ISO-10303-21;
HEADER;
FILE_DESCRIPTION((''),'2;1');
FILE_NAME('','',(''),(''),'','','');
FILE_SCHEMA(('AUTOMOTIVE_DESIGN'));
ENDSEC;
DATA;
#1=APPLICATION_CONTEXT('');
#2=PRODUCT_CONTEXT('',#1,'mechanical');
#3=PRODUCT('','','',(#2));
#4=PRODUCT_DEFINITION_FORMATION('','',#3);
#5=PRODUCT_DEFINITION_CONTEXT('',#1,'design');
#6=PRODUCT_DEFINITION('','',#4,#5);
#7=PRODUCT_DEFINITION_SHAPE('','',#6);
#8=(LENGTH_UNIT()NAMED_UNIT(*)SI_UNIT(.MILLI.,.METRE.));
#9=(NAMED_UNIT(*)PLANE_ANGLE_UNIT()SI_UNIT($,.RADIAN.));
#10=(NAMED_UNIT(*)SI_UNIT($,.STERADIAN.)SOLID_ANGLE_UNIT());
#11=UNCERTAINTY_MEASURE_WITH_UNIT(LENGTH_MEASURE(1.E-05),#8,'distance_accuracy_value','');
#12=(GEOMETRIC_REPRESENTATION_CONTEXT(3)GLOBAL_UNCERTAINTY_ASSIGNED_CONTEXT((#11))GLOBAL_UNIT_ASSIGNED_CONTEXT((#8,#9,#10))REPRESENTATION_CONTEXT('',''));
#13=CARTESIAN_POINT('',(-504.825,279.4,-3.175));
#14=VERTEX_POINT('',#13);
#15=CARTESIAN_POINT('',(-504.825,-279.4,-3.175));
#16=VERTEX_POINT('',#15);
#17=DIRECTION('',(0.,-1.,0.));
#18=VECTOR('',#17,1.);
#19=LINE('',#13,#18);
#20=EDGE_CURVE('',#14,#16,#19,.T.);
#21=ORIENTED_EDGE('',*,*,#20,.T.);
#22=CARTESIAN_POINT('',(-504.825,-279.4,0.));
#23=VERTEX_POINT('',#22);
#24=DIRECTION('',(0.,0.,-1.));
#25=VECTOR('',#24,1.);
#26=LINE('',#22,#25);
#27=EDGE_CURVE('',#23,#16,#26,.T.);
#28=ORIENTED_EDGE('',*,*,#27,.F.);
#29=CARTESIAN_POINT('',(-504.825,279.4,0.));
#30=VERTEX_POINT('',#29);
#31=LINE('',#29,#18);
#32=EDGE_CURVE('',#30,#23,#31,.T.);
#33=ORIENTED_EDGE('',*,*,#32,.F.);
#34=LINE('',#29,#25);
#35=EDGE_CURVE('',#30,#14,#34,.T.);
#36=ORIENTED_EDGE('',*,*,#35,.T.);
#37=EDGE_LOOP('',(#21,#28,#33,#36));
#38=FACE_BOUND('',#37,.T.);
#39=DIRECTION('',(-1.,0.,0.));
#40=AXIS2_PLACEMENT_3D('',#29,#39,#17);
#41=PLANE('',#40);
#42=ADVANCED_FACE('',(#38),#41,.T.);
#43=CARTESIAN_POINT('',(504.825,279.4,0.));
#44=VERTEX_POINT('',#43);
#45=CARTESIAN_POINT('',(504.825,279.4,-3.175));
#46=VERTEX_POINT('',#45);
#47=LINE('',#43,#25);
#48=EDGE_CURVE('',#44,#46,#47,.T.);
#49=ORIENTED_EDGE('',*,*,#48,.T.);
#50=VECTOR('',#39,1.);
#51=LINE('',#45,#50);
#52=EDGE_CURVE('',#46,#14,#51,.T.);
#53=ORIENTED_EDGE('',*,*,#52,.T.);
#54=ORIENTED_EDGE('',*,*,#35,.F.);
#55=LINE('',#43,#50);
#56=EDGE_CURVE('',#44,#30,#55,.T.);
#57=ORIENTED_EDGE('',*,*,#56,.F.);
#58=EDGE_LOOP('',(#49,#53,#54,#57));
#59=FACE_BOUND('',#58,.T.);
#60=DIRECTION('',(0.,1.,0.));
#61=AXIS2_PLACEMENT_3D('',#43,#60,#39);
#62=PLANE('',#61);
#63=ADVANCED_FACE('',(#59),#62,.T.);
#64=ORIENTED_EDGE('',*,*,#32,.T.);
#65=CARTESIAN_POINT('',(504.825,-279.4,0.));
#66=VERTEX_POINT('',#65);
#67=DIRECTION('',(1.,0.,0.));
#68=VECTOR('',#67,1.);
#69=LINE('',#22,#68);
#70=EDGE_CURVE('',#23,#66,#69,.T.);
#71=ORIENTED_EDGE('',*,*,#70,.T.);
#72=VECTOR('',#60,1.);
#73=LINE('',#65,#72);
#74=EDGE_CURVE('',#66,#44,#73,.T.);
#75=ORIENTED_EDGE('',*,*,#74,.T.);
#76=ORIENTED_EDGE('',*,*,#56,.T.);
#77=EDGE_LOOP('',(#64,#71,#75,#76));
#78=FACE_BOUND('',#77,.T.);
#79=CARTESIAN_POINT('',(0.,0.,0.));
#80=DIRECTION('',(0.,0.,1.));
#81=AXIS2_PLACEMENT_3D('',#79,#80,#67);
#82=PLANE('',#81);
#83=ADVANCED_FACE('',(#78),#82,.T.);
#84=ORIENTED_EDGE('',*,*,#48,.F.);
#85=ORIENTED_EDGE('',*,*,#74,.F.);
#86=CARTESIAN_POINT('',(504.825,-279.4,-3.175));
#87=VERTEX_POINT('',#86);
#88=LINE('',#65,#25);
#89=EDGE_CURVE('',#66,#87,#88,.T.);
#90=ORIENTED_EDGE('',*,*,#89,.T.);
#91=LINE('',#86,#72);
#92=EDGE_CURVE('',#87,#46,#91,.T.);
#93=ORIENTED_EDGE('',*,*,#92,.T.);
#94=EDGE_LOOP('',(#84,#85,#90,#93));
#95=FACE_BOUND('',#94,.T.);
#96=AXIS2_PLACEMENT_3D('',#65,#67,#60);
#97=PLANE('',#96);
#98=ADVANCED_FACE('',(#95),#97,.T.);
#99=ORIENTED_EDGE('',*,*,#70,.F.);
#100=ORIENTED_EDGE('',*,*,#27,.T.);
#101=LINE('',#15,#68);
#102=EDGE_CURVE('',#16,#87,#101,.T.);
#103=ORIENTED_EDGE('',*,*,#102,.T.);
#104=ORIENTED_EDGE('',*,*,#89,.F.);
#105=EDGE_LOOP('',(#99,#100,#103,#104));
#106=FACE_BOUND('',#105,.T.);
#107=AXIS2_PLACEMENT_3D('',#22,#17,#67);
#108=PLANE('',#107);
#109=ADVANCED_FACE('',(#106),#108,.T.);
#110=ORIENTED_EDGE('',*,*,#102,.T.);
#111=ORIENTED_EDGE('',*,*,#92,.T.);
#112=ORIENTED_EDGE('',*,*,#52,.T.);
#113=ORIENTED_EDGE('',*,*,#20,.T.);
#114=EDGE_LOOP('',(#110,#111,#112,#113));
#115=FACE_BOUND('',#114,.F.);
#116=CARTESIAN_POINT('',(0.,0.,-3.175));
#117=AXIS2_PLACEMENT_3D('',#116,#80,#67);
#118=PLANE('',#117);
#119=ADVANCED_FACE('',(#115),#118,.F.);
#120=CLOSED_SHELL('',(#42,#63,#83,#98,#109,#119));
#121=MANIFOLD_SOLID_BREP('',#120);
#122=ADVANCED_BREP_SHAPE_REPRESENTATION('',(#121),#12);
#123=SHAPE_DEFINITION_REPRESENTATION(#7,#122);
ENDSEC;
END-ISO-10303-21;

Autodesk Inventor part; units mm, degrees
ref_plane "YZ Plane" through (0, 0, 0) normal (1, 0, 0) x (0, 1, 0)
ref_plane "XZ Plane" through (0, 0, 0) normal (0, 1, 0) x (-1, 0, 0)
ref_plane "XY Plane" through (0, 0, 0) normal (0, 0, 1) x (1, 0, 0)
sketch "Sketch1" plane through (0, 0, 0) normal (0, 0, 1) x (1, 0, 0)
  line L0 (-504.825, -279.4) -> (504.825, -279.4)
  line L1 (504.825, -279.4) -> (504.825, 279.4)
  line L2 (504.825, 279.4) -> (-504.825, 279.4)
  line L3 (-504.825, 279.4) -> (-504.825, -279.4)
  line L4 (-504.825, -279.4) -> (504.825, 279.4) construction
  line L5 (504.825, -279.4) -> (-504.825, 279.4) construction
  point P0 (0, 0)
  dimension "d0" = 1009.65
  dimension "d1" = 558.8
extrude "Extrusion1" add sketch "Sketch1" against normal blind 3.175
ref_plane "Work Plane1" through (0, -279.4, -3.175) normal (-1, 0, 0) x (0, -1, 0)
properties part number "GE-13059" material "Polycarbonate, Clear"
